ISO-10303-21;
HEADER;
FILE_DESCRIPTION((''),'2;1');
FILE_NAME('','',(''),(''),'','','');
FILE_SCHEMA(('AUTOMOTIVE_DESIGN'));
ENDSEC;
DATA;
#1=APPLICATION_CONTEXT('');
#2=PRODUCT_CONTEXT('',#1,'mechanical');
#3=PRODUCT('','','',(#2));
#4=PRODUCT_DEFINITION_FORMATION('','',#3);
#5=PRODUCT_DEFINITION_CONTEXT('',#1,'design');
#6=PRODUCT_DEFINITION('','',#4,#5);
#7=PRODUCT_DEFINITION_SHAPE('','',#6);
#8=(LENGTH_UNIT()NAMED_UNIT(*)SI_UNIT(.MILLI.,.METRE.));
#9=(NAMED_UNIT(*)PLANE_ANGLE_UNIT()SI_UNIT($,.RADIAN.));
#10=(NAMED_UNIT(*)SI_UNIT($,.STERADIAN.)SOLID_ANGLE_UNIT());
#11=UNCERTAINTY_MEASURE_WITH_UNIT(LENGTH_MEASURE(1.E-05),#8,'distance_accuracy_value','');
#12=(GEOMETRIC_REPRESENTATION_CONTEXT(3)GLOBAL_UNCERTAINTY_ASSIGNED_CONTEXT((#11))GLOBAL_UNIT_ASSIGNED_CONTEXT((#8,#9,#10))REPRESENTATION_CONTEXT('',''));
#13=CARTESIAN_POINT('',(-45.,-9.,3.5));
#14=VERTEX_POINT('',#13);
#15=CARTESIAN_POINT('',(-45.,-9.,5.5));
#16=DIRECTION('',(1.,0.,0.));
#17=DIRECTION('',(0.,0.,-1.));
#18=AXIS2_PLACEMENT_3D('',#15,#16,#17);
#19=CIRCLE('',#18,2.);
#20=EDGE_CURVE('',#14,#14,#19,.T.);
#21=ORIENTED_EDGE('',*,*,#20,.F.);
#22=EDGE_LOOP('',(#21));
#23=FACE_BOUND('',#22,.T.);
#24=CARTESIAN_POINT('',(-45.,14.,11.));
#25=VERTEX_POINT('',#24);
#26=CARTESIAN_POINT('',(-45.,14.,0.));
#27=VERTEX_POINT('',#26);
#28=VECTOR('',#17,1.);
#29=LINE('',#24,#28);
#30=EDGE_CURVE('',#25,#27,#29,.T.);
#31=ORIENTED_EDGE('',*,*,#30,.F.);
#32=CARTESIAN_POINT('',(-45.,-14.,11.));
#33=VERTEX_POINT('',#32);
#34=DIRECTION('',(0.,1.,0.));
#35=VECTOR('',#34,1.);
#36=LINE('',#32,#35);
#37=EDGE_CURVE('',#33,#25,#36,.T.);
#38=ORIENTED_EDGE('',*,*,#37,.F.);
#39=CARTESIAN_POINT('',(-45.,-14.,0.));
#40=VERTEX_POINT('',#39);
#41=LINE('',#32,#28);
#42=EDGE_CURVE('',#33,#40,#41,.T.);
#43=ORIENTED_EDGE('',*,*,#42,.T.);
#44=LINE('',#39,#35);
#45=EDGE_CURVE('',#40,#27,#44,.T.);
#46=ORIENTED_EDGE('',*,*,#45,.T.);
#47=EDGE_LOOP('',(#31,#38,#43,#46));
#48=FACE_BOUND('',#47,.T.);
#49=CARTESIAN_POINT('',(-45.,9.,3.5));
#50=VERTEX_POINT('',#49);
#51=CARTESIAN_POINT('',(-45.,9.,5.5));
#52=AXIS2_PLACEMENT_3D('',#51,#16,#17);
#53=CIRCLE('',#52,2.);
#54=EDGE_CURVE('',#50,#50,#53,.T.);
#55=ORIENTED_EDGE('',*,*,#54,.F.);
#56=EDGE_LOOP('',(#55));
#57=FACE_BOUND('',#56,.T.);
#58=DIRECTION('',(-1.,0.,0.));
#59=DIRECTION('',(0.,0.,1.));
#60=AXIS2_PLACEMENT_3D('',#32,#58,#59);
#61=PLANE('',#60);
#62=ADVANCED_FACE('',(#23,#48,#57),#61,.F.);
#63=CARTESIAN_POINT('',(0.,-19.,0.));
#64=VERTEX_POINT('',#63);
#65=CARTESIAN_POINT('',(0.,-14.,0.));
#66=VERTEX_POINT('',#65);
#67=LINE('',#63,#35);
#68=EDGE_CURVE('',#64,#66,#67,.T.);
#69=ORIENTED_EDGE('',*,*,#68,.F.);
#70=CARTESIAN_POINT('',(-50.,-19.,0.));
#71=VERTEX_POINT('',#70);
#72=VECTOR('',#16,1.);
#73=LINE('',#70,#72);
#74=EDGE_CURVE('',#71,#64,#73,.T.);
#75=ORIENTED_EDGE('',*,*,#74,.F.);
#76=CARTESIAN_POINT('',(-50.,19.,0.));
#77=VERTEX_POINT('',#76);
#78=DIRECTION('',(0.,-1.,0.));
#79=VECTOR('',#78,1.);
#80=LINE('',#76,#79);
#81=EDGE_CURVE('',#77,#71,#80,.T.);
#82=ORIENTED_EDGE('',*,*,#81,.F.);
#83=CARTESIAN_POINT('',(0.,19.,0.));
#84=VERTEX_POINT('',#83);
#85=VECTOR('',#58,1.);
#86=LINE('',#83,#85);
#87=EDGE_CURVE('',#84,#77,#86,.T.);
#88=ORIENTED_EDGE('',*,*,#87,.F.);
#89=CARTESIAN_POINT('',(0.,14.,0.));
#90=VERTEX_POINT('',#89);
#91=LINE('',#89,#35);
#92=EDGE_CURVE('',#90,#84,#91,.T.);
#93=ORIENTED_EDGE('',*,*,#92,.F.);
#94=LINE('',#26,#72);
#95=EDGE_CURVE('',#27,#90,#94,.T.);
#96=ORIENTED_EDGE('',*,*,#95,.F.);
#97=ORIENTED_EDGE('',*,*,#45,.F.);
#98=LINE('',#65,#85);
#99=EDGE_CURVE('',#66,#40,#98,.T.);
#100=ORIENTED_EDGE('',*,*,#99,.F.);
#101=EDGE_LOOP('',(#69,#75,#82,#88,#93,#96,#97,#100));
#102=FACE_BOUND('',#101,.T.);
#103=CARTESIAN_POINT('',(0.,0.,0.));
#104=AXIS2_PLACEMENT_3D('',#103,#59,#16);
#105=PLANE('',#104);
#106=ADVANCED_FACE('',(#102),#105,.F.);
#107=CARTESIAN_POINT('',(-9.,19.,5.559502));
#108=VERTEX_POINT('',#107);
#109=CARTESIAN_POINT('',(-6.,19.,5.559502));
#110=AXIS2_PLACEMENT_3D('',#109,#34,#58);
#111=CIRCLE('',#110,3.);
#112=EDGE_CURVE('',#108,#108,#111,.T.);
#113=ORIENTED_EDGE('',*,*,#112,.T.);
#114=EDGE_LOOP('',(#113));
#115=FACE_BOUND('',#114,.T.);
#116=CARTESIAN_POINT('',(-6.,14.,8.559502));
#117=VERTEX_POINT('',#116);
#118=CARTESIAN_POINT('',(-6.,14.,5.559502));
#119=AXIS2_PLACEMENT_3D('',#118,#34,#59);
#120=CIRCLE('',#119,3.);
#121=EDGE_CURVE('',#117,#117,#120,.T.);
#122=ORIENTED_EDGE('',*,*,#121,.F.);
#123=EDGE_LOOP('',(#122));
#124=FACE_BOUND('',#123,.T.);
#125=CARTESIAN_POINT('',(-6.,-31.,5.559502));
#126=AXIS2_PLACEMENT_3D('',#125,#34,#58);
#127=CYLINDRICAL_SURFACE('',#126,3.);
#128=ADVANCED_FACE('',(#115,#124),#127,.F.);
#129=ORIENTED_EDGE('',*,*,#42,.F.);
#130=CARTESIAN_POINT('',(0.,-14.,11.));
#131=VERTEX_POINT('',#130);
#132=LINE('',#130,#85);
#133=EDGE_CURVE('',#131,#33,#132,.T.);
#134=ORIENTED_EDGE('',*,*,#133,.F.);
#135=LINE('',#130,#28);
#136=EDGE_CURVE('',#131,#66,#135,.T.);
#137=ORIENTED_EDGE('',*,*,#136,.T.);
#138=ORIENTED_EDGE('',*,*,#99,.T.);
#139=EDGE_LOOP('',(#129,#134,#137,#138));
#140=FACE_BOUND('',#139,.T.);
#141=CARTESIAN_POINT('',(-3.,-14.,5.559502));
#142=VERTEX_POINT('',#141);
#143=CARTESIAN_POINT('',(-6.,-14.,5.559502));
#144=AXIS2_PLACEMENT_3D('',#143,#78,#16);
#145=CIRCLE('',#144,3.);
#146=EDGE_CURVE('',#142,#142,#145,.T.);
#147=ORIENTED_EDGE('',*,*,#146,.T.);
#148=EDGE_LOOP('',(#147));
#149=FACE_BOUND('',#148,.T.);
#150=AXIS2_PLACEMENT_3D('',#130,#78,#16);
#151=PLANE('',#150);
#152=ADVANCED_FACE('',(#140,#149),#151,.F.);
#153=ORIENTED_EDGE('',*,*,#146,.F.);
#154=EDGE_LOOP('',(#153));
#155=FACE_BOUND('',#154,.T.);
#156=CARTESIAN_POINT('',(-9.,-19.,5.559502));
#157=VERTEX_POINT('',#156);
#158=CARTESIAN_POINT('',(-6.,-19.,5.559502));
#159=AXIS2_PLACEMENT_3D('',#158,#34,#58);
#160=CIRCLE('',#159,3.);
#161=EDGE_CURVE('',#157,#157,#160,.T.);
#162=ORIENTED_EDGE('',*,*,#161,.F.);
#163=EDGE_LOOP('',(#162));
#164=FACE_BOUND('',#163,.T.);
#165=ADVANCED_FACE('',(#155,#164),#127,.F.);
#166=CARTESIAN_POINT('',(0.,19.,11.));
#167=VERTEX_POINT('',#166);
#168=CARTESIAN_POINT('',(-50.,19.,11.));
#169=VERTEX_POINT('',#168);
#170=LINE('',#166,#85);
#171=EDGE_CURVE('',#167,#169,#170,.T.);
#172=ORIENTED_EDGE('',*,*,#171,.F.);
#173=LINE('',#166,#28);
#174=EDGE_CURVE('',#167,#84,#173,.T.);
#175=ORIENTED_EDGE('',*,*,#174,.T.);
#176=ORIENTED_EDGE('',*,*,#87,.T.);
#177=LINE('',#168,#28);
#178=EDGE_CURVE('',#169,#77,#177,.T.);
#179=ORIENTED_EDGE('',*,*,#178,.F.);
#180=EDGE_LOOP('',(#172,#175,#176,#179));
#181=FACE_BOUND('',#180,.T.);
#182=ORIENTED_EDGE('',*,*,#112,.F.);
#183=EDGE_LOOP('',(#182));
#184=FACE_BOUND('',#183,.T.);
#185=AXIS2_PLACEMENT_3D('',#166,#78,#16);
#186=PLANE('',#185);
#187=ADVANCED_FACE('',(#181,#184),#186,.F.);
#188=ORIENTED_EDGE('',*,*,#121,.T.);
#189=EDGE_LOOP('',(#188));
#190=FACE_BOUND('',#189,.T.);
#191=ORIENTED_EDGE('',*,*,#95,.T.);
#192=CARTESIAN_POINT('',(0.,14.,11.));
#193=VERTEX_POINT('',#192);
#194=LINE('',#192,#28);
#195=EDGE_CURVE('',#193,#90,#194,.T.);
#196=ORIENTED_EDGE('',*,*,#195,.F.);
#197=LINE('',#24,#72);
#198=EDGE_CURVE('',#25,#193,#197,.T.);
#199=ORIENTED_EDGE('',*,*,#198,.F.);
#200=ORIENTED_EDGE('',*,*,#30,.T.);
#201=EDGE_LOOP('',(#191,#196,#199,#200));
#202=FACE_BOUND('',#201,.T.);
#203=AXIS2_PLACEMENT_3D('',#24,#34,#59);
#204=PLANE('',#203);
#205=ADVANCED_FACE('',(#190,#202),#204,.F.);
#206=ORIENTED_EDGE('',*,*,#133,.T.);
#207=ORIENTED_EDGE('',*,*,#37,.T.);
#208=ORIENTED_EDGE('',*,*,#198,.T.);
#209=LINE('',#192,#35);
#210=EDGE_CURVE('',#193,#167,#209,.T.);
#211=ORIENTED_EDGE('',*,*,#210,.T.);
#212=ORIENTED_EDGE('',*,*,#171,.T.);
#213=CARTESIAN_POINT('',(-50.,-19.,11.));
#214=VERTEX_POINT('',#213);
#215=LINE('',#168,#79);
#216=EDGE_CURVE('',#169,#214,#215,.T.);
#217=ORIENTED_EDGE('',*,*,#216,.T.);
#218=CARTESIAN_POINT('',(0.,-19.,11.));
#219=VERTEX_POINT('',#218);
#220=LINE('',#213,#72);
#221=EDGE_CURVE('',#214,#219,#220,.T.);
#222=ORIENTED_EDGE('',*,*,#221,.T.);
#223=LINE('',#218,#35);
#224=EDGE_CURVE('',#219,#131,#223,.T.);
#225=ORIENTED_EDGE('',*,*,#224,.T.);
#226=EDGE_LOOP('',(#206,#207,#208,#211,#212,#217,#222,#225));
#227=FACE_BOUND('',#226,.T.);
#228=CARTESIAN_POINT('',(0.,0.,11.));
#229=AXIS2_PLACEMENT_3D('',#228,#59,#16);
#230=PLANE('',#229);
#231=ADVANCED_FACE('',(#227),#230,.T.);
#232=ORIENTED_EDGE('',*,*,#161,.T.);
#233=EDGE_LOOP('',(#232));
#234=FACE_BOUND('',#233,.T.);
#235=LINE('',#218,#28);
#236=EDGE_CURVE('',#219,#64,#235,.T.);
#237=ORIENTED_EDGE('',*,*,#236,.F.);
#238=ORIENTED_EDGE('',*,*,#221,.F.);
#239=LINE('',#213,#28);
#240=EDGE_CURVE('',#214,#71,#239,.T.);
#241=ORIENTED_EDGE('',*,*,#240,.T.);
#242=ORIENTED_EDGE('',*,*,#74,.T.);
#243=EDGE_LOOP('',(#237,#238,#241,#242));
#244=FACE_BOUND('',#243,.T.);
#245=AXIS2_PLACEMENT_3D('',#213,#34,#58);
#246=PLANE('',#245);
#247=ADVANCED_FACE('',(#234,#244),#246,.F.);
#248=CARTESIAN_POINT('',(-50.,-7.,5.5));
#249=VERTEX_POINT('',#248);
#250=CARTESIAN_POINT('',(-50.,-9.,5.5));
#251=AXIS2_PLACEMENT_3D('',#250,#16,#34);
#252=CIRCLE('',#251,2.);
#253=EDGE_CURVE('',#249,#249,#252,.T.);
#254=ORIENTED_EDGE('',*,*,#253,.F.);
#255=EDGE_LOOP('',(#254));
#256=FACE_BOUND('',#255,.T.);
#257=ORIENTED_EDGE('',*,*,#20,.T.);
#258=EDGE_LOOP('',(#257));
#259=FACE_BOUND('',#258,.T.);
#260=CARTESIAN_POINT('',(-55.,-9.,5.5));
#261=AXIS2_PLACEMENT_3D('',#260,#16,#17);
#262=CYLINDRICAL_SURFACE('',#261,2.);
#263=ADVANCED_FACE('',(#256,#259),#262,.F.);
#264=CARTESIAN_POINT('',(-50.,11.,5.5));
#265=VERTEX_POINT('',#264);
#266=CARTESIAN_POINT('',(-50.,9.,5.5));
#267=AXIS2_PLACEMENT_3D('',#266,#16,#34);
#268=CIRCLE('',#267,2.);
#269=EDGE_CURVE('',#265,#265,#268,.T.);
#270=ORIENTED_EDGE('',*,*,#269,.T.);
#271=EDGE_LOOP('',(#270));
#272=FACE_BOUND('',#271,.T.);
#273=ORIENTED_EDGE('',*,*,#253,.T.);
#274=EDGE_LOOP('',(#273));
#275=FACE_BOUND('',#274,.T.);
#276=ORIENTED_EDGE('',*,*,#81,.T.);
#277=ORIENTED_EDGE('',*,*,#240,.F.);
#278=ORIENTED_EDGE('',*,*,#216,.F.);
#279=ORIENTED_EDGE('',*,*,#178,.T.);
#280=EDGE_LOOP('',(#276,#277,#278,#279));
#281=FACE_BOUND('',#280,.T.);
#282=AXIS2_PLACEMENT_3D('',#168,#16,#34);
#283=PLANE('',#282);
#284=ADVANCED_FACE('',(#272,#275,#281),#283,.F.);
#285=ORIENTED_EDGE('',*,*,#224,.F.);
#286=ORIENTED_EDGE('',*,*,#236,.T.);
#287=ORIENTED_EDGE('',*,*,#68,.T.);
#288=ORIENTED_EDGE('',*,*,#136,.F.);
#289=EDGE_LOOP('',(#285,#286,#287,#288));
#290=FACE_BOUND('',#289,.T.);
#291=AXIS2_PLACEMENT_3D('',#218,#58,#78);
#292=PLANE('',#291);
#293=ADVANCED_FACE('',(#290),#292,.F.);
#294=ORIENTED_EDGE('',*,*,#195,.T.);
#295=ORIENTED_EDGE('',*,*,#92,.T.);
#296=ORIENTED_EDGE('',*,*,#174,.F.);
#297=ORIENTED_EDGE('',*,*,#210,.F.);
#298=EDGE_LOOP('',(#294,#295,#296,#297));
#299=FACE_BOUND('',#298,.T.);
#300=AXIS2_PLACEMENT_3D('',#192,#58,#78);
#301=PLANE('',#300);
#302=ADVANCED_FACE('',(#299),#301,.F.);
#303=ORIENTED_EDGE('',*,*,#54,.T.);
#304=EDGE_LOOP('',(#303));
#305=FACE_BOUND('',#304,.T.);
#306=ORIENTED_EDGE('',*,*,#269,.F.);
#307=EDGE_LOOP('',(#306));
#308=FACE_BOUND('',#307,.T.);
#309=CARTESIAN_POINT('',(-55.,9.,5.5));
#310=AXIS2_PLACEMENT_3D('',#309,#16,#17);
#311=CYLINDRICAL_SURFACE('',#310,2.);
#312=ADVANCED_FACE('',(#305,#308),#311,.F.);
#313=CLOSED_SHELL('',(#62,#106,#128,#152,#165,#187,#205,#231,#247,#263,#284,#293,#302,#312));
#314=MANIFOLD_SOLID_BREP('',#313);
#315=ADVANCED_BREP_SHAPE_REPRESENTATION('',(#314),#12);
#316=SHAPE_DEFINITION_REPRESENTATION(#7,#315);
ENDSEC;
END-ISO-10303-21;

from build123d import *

# Parameters (mm, degrees)
BOSS_EXTRUDE1_DEPTH = 11
SKETCH3_R           = 3
CUT_EXTRUDE1_DEPTH  = 50
SKETCH4_R           = 2
CUT_EXTRUDE2_DEPTH  = 10


with BuildPart() as part:
    # Sketch2 → Boss-Extrude1 (new body)
    with BuildSketch(Plane.XY):
        Polygon((0, 19), (-50, 19), (-50, -19), (0, -19), (0, -14), (-45, -14), (-45, 14), (0, 14), align=None)
    extrude(amount=BOSS_EXTRUDE1_DEPTH)

    # Sketch3 → Cut-Extrude1 (cut)
    with BuildSketch(Plane(origin=(0, 19, 0), x_dir=(1, 0, 0), z_dir=(0, 1, 0))):
        with Locations(Location((-6, -5.559501776, 0), (0, 0, 180))):
            Circle(SKETCH3_R)
    extrude(amount=-CUT_EXTRUDE1_DEPTH, mode=Mode.SUBTRACT)

    # Sketch4 → Cut-Extrude2 (cut)
    with BuildSketch(Plane(origin=(-45, 0, 0), x_dir=(0, 0, -1), z_dir=(1, 0, 0))):
        with Locations((-5.5, 9)):
            Circle(SKETCH4_R)
        with Locations((-5.5, -9)):
            Circle(SKETCH4_R)
    extrude(amount=-CUT_EXTRUDE2_DEPTH, mode=Mode.SUBTRACT)


solid = part.part
